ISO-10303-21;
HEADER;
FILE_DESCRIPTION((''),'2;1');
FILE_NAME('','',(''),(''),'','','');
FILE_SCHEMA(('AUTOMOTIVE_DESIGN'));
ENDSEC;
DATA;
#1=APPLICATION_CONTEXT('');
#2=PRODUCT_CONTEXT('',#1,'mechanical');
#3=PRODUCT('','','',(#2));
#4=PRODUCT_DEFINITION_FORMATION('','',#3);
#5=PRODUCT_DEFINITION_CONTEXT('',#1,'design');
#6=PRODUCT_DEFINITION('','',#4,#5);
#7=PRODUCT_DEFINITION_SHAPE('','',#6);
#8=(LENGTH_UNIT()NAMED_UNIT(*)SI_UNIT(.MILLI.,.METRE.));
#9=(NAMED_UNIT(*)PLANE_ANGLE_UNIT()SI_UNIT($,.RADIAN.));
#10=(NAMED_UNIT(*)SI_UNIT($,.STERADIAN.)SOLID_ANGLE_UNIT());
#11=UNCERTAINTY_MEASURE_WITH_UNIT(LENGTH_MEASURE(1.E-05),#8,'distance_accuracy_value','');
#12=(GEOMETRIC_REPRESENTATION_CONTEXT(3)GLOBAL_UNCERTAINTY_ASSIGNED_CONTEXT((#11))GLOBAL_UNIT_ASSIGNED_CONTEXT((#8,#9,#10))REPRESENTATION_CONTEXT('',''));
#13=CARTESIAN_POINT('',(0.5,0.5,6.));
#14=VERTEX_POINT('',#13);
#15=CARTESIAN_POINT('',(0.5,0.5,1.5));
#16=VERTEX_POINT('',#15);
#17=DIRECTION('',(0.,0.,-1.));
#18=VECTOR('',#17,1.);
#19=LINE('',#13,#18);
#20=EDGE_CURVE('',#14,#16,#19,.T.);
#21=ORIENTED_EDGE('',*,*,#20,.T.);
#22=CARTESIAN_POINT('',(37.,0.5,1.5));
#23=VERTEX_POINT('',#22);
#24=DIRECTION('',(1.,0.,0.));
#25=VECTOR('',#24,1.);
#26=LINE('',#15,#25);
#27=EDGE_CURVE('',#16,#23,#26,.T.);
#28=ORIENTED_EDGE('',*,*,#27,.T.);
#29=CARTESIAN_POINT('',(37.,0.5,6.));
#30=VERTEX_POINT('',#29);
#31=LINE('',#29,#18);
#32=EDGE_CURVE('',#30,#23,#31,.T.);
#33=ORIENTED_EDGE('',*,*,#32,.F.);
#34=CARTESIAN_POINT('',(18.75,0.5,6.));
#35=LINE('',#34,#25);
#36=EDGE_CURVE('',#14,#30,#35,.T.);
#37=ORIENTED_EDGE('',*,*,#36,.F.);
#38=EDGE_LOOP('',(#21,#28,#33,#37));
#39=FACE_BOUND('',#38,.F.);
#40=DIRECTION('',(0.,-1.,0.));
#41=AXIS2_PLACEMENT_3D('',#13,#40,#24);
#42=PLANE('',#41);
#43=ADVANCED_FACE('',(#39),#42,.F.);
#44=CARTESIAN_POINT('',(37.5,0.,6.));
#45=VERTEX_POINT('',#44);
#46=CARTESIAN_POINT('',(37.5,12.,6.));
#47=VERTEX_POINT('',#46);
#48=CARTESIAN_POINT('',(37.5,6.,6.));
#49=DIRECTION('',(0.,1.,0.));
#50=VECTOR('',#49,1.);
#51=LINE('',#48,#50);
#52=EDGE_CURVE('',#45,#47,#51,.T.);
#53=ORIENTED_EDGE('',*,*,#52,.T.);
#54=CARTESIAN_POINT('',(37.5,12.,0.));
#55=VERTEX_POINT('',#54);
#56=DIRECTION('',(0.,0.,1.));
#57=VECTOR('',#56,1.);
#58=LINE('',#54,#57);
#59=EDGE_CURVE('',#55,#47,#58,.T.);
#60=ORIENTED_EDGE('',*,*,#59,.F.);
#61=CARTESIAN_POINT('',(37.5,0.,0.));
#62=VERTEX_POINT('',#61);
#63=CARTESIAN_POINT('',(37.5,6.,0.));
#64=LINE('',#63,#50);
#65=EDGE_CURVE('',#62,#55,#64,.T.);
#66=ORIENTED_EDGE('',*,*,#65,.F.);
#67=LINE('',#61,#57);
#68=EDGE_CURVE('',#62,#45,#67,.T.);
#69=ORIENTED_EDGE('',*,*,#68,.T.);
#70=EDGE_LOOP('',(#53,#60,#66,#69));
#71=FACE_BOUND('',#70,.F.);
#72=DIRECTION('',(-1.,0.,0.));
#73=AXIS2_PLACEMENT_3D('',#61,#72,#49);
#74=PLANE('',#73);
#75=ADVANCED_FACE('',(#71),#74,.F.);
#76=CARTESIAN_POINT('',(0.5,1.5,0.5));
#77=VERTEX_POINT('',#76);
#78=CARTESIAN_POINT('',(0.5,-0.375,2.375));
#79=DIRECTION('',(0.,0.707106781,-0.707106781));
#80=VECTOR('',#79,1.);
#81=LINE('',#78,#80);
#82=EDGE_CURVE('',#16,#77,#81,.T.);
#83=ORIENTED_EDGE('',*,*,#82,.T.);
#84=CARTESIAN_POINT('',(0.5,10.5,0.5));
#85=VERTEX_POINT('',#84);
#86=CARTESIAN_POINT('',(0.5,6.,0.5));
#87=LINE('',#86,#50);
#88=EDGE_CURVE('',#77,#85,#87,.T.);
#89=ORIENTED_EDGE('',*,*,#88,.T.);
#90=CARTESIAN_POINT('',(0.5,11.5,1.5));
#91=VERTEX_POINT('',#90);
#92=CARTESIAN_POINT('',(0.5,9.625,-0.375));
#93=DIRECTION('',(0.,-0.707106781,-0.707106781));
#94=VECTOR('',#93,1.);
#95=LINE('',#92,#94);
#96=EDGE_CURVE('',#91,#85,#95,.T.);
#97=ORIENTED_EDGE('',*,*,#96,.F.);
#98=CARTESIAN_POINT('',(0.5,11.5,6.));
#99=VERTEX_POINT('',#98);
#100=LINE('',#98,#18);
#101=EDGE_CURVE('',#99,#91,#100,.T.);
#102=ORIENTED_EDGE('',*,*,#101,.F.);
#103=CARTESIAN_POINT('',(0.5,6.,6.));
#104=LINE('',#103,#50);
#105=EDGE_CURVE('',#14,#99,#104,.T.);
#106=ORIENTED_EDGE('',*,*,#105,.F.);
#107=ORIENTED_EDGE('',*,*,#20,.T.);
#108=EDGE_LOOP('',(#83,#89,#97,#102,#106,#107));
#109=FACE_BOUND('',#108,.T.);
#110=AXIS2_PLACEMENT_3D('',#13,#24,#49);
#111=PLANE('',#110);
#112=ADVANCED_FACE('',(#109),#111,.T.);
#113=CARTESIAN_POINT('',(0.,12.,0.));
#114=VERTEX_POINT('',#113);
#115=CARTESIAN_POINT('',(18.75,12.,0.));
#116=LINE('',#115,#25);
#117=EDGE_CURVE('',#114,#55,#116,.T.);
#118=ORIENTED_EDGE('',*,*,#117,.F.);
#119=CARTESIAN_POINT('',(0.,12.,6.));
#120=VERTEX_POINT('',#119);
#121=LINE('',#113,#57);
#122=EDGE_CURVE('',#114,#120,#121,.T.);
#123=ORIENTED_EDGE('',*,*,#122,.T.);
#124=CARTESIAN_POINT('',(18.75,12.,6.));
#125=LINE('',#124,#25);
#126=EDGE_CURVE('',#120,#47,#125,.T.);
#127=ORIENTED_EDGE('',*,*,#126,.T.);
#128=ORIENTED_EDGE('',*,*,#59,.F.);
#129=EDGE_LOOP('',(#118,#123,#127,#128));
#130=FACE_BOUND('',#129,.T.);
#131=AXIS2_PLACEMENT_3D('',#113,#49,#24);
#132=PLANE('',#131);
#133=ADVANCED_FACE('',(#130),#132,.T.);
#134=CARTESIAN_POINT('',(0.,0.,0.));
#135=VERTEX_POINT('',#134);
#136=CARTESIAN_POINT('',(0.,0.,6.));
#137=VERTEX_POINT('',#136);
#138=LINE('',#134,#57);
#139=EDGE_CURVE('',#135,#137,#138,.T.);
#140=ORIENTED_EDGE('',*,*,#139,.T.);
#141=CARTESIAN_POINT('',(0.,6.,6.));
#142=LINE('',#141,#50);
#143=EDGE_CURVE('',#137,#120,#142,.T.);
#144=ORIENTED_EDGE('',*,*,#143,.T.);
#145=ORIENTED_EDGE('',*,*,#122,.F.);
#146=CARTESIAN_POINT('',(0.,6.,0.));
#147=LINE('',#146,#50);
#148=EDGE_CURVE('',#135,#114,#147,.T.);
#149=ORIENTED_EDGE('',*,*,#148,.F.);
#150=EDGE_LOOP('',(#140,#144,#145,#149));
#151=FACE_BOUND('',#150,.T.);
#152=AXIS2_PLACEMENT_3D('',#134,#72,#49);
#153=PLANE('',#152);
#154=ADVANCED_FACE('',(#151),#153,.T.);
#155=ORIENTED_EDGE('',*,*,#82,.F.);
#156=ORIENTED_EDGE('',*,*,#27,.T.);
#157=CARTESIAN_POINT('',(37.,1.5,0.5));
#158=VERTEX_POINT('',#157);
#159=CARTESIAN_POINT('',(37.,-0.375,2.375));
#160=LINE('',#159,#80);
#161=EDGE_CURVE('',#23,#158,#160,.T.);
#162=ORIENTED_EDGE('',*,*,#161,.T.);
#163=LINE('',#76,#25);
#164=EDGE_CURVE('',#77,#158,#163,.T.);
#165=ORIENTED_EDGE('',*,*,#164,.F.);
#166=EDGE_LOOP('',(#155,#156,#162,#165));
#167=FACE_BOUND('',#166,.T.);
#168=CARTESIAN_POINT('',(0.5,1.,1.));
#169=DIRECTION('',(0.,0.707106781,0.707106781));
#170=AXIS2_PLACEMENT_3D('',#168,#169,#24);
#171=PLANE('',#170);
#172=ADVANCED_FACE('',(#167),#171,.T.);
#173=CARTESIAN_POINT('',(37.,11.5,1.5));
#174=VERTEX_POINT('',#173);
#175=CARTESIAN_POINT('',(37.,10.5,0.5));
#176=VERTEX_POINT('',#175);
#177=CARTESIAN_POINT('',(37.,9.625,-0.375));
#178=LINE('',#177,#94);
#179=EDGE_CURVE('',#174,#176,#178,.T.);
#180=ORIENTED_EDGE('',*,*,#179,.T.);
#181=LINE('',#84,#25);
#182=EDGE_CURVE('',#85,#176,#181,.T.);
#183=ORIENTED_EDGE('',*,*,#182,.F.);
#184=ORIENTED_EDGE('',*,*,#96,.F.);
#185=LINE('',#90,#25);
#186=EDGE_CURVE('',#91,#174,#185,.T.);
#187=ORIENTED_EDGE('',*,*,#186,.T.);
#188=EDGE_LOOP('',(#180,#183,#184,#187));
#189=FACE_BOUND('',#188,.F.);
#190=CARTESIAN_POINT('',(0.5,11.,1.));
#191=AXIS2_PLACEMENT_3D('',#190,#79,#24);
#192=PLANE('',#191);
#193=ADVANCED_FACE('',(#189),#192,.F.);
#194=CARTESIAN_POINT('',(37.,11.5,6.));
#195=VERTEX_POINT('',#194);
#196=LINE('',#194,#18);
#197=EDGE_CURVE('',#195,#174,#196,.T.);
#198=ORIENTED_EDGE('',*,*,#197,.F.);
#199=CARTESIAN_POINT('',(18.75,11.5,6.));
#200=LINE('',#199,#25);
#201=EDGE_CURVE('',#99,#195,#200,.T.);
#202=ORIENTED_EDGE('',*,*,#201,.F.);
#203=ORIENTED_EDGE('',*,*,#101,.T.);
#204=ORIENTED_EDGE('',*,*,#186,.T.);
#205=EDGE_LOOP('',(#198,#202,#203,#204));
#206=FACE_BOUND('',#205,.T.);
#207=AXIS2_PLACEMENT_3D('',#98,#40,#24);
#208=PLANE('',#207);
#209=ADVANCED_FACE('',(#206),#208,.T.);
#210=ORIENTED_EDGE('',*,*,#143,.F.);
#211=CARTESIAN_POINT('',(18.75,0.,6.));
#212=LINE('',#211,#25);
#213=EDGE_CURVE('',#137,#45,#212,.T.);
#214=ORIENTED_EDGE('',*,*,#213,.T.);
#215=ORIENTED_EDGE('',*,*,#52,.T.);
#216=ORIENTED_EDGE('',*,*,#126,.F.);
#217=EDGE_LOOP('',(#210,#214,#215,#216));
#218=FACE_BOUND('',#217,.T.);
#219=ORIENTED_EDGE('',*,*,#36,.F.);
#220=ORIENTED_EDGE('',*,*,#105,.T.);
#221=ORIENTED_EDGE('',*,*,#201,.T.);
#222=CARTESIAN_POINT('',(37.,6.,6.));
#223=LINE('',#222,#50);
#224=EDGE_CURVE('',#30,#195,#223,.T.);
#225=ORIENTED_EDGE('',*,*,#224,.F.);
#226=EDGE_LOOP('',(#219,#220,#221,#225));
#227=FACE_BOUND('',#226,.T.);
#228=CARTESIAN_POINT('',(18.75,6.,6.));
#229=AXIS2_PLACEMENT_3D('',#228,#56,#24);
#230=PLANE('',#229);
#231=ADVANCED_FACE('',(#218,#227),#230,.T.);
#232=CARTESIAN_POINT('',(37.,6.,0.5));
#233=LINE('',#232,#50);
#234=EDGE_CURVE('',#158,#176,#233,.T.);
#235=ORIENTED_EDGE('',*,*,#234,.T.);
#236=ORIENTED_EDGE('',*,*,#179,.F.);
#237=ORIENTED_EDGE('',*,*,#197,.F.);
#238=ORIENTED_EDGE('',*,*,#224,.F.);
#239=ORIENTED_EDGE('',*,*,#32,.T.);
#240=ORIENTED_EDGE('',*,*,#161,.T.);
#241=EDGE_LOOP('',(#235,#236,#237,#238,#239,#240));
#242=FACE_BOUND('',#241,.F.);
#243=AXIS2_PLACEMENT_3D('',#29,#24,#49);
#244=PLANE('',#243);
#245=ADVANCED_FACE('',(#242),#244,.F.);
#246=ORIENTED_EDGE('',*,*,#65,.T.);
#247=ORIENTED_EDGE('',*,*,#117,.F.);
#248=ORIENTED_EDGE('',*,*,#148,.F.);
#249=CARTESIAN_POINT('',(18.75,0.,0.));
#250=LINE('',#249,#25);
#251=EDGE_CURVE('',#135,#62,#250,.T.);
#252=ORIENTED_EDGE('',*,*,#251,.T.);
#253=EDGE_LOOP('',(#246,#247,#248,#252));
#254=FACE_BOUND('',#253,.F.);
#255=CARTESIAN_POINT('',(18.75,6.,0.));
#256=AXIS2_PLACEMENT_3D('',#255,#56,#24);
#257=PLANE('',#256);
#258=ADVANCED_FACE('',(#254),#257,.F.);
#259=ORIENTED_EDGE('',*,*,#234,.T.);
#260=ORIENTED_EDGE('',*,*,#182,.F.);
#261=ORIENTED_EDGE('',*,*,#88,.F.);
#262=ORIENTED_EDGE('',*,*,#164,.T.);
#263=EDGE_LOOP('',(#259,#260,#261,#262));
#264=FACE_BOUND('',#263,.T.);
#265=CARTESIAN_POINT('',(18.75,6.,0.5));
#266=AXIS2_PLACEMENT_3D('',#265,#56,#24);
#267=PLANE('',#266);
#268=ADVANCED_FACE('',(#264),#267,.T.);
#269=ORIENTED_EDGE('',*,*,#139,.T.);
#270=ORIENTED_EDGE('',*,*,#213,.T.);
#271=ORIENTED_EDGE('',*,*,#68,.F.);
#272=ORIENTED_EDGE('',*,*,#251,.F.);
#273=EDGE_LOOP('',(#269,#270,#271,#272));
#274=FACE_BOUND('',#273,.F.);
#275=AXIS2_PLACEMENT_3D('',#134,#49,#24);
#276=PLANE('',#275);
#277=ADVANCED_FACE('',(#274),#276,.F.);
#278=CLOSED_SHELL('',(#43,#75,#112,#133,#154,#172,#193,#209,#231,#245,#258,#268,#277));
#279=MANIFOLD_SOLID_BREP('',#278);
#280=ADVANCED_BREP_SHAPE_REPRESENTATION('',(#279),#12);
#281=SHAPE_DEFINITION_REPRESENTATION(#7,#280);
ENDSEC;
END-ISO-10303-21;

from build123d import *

# Parameters (mm, degrees)
F0_W     = 37.5
F0_H     = 12
F1_DEPTH = 6
F2_W     = 36.5
F2_H     = 11
F3_DEPTH = 5.5
F4_SIZE  = 1


with BuildPart() as f1:
    # F0 (on Top) → F1 (new body)
    with BuildSketch(Plane.XY):
        with Locations((18.75, 6)):
            Rectangle(F0_W, F0_H)
    extrude(amount=F1_DEPTH)

    # F2 (on face) → F3 (cut)
    with BuildSketch(Plane.XY.offset(6)):
        with Locations((18.75, 6)):
            Rectangle(F2_W, F2_H)
    extrude(amount=-F3_DEPTH, mode=Mode.SUBTRACT)

    # F4
    f4_edges = [f1.edges().sort_by_distance(p)[0] for p in [
        (18.75, 11.5, 0.5),
        (18.75, 0.5, 0.5),
    ]]
    chamfer(f4_edges, length=F4_SIZE)


solid = f1.part
